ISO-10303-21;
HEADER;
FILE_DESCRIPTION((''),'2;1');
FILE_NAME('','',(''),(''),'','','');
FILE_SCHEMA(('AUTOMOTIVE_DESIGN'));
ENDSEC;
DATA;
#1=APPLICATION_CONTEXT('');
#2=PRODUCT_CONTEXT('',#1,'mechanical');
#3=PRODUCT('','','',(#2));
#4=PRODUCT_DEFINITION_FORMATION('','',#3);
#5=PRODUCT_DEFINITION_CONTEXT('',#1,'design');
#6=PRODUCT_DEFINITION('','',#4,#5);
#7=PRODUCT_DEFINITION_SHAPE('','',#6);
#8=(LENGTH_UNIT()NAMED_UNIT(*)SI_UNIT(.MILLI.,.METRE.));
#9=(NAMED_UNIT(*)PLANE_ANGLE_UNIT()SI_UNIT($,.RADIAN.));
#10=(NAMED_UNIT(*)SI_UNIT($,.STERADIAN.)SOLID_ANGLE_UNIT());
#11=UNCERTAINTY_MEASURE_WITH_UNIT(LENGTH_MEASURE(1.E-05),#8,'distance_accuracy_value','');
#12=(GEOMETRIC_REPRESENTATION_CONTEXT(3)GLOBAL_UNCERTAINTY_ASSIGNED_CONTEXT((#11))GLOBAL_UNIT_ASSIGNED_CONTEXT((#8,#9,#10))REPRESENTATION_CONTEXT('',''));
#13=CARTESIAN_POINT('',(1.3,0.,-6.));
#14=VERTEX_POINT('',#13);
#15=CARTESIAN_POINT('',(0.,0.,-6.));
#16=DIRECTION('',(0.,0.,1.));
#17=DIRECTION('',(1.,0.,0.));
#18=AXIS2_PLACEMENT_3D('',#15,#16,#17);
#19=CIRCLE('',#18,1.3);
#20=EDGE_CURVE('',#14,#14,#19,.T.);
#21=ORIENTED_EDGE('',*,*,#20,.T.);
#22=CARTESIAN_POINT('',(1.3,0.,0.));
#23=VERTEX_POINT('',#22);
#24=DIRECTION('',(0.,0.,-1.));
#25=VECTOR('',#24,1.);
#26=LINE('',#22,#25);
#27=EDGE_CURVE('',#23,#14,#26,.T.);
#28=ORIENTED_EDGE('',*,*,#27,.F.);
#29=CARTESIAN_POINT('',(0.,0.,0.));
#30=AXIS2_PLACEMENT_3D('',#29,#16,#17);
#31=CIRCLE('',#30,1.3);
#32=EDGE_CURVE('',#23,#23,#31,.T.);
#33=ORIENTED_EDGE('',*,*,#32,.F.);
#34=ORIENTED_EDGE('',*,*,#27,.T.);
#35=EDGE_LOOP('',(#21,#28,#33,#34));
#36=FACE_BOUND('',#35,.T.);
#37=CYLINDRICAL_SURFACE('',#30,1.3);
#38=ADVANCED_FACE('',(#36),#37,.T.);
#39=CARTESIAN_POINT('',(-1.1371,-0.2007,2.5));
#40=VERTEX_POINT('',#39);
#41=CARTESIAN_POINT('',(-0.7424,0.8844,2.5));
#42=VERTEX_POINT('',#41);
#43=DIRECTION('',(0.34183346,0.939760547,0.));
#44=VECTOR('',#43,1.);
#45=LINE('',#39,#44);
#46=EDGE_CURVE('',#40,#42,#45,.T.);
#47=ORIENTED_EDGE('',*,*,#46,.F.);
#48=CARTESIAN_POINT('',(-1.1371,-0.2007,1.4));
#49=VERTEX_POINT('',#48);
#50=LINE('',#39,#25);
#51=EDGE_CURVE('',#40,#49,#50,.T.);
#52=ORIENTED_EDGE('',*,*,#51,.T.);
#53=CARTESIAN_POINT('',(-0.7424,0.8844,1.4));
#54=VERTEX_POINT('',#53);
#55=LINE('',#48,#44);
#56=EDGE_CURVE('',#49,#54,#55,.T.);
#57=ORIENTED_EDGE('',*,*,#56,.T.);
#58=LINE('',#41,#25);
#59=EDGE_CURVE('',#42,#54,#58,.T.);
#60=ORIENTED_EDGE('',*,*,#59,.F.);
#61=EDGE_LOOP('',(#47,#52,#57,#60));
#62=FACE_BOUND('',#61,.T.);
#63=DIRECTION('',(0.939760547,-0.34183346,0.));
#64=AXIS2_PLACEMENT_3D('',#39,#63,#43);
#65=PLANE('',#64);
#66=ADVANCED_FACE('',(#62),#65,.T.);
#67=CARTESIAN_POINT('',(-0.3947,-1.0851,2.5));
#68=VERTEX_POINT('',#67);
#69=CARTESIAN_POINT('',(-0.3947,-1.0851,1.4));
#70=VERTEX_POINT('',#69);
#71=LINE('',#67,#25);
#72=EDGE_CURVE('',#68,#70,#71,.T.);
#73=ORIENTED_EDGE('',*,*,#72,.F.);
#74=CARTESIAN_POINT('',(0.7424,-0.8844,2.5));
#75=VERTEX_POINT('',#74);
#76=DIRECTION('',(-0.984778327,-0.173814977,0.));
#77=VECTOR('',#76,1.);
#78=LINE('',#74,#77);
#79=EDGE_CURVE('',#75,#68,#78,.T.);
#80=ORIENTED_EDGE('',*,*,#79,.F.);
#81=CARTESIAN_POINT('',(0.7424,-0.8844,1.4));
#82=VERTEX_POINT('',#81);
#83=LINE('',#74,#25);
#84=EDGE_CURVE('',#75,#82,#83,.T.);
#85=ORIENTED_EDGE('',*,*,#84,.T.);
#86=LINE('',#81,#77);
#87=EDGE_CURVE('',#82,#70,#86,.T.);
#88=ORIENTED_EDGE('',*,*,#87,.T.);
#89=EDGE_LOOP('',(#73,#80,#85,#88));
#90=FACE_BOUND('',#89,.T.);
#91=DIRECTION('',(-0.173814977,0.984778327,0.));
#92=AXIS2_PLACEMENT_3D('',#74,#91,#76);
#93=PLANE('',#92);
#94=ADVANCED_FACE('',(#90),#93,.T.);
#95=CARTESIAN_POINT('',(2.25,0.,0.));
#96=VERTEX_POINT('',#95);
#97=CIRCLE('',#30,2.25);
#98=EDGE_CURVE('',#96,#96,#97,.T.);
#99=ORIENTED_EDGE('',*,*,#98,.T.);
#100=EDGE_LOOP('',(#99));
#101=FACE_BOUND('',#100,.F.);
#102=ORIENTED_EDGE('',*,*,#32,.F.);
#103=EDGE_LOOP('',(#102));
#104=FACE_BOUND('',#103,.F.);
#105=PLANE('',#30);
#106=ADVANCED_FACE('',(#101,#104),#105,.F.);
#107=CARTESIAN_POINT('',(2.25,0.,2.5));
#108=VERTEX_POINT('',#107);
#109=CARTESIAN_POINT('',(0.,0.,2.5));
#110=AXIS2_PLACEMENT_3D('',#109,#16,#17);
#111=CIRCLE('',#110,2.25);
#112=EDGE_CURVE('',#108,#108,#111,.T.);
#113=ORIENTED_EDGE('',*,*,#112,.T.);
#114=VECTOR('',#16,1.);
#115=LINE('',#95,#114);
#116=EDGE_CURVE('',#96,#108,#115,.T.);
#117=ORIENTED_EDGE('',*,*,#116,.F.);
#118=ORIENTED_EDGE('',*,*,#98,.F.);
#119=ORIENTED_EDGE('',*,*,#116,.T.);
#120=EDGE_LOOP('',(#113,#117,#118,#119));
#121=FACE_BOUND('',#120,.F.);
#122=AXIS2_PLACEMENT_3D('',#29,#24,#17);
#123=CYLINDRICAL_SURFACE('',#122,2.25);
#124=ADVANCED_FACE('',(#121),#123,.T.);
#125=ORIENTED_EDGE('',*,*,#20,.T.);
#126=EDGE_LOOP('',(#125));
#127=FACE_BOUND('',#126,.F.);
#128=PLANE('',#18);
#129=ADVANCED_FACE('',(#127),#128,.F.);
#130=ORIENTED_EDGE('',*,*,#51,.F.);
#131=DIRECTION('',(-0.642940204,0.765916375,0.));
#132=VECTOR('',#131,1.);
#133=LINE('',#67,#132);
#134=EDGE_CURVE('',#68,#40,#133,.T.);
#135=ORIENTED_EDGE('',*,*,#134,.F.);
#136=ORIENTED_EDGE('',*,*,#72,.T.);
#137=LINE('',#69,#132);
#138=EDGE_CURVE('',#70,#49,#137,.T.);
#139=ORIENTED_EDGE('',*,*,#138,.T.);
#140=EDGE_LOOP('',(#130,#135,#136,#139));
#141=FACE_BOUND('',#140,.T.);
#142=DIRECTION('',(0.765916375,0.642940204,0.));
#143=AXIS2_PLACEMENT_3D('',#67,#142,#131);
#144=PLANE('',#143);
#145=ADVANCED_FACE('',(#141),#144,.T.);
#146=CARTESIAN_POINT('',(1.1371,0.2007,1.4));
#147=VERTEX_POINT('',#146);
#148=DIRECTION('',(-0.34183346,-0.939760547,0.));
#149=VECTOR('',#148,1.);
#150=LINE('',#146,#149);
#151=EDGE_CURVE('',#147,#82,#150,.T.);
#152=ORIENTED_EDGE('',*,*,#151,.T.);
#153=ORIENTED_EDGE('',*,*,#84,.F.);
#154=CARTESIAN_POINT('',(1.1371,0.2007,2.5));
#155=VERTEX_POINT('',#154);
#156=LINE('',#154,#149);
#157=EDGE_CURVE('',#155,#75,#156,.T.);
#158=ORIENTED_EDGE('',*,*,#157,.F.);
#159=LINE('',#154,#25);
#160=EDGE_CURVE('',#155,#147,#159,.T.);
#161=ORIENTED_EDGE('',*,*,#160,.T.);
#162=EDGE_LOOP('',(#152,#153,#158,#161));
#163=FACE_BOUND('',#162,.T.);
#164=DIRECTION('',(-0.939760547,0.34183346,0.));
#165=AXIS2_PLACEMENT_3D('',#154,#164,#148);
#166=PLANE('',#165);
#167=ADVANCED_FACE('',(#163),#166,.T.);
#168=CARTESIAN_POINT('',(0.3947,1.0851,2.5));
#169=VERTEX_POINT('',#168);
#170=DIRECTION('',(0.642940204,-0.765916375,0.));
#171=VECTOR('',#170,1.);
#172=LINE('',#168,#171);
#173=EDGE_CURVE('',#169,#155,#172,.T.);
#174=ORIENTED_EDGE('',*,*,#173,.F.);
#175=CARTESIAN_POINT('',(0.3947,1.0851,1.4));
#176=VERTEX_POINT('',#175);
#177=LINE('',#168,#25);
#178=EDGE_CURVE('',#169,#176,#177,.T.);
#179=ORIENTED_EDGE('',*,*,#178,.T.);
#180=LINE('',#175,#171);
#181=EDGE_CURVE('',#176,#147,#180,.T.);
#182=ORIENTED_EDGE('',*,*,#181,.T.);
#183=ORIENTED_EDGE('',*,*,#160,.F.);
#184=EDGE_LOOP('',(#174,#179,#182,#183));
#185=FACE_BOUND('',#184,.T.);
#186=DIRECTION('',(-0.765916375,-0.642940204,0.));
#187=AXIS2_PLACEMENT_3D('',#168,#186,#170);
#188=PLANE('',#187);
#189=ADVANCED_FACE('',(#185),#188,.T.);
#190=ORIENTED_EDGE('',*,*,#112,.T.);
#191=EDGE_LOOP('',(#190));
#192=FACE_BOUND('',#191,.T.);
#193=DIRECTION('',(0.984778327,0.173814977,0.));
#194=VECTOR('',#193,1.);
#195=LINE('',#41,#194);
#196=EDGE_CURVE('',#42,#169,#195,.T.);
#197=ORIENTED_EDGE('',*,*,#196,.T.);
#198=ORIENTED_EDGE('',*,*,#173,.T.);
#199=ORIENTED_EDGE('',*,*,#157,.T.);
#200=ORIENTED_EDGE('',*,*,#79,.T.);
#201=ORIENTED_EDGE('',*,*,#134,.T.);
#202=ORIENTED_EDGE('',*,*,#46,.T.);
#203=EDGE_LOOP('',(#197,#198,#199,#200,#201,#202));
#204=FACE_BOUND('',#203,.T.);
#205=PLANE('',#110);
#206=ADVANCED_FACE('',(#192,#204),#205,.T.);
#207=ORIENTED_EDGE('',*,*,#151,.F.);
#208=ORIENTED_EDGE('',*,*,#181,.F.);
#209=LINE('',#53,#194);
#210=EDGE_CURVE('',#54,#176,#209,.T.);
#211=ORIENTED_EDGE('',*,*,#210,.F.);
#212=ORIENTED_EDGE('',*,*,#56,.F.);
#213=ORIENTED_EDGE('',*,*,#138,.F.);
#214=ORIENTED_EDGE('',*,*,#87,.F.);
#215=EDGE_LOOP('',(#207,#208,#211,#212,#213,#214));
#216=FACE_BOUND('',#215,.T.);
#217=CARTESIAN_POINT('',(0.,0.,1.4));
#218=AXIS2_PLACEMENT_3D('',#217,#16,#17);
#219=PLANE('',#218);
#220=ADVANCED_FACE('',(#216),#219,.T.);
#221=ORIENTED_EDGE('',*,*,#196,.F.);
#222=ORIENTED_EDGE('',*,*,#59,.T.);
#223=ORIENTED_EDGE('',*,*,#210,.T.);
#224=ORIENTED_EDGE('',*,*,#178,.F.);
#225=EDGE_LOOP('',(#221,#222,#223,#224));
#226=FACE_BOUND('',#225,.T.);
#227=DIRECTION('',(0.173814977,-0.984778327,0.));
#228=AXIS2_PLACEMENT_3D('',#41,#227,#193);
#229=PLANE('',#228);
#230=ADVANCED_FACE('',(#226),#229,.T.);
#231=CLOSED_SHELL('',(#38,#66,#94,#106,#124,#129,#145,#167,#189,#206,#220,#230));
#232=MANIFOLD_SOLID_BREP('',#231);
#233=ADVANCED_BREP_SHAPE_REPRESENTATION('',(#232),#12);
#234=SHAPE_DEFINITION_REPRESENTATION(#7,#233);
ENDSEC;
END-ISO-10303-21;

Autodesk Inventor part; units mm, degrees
ref_plane "YZ Plane" through (0, 0, 0) normal (1, 0, 0) x (0, 1, 0)
ref_plane "XZ Plane" through (0, 0, 0) normal (0, 1, 0) x (-1, 0, 0)
ref_plane "XY Plane" through (0, 0, 0) normal (0, 0, 1) x (1, 0, 0)
sketch "スケッチ1" plane through (0, 0, 0) normal (0, 0, 1) x (1, 0, 0)
  circle A0 centre (0, 0) radius 2.25
  circle A1 centre (0, 0) radius 1.3
  dimension "d0" = 4.5
  dimension "d6" = 2.6
extrude "押し出し1" add sketch "スケッチ1" along normal blind 2.5 contours A0 | A1
sketch "スケッチ2" plane through (0, 0, 2.5) normal (0, 0, 1) x (1, 0, 0)
  circle A0 centre (0, 0) radius 2.25 projected
  line L0 (-0.3947, -1.0851) -> (-1.1371, -0.2007)
  line L1 (-1.1371, -0.2007) -> (-0.7424, 0.8844)
  line L2 (-0.7424, 0.8844) -> (0.3947, 1.0851)
  line L3 (0.3947, 1.0851) -> (1.1371, 0.2007)
  line L4 (1.1371, 0.2007) -> (0.7424, -0.8844)
  line L5 (0.7424, -0.8844) -> (-0.3947, -1.0851)
  dimension "d3" = 2
extrude "押し出し2" cut sketch "スケッチ2" against normal blind 1.1 contours L0 L1 L2 L3 L4 L5
extrude "押し出し3" add sketch "スケッチ1" against normal blind 6 contours A1
thread "ねじ1" size "M2.6x0.45" class "6g" standard "ANSI Metric M Profile" length 44.8
properties part number "ネジキャップM2.6L6ステンレス" material "ステンレス鋼"
